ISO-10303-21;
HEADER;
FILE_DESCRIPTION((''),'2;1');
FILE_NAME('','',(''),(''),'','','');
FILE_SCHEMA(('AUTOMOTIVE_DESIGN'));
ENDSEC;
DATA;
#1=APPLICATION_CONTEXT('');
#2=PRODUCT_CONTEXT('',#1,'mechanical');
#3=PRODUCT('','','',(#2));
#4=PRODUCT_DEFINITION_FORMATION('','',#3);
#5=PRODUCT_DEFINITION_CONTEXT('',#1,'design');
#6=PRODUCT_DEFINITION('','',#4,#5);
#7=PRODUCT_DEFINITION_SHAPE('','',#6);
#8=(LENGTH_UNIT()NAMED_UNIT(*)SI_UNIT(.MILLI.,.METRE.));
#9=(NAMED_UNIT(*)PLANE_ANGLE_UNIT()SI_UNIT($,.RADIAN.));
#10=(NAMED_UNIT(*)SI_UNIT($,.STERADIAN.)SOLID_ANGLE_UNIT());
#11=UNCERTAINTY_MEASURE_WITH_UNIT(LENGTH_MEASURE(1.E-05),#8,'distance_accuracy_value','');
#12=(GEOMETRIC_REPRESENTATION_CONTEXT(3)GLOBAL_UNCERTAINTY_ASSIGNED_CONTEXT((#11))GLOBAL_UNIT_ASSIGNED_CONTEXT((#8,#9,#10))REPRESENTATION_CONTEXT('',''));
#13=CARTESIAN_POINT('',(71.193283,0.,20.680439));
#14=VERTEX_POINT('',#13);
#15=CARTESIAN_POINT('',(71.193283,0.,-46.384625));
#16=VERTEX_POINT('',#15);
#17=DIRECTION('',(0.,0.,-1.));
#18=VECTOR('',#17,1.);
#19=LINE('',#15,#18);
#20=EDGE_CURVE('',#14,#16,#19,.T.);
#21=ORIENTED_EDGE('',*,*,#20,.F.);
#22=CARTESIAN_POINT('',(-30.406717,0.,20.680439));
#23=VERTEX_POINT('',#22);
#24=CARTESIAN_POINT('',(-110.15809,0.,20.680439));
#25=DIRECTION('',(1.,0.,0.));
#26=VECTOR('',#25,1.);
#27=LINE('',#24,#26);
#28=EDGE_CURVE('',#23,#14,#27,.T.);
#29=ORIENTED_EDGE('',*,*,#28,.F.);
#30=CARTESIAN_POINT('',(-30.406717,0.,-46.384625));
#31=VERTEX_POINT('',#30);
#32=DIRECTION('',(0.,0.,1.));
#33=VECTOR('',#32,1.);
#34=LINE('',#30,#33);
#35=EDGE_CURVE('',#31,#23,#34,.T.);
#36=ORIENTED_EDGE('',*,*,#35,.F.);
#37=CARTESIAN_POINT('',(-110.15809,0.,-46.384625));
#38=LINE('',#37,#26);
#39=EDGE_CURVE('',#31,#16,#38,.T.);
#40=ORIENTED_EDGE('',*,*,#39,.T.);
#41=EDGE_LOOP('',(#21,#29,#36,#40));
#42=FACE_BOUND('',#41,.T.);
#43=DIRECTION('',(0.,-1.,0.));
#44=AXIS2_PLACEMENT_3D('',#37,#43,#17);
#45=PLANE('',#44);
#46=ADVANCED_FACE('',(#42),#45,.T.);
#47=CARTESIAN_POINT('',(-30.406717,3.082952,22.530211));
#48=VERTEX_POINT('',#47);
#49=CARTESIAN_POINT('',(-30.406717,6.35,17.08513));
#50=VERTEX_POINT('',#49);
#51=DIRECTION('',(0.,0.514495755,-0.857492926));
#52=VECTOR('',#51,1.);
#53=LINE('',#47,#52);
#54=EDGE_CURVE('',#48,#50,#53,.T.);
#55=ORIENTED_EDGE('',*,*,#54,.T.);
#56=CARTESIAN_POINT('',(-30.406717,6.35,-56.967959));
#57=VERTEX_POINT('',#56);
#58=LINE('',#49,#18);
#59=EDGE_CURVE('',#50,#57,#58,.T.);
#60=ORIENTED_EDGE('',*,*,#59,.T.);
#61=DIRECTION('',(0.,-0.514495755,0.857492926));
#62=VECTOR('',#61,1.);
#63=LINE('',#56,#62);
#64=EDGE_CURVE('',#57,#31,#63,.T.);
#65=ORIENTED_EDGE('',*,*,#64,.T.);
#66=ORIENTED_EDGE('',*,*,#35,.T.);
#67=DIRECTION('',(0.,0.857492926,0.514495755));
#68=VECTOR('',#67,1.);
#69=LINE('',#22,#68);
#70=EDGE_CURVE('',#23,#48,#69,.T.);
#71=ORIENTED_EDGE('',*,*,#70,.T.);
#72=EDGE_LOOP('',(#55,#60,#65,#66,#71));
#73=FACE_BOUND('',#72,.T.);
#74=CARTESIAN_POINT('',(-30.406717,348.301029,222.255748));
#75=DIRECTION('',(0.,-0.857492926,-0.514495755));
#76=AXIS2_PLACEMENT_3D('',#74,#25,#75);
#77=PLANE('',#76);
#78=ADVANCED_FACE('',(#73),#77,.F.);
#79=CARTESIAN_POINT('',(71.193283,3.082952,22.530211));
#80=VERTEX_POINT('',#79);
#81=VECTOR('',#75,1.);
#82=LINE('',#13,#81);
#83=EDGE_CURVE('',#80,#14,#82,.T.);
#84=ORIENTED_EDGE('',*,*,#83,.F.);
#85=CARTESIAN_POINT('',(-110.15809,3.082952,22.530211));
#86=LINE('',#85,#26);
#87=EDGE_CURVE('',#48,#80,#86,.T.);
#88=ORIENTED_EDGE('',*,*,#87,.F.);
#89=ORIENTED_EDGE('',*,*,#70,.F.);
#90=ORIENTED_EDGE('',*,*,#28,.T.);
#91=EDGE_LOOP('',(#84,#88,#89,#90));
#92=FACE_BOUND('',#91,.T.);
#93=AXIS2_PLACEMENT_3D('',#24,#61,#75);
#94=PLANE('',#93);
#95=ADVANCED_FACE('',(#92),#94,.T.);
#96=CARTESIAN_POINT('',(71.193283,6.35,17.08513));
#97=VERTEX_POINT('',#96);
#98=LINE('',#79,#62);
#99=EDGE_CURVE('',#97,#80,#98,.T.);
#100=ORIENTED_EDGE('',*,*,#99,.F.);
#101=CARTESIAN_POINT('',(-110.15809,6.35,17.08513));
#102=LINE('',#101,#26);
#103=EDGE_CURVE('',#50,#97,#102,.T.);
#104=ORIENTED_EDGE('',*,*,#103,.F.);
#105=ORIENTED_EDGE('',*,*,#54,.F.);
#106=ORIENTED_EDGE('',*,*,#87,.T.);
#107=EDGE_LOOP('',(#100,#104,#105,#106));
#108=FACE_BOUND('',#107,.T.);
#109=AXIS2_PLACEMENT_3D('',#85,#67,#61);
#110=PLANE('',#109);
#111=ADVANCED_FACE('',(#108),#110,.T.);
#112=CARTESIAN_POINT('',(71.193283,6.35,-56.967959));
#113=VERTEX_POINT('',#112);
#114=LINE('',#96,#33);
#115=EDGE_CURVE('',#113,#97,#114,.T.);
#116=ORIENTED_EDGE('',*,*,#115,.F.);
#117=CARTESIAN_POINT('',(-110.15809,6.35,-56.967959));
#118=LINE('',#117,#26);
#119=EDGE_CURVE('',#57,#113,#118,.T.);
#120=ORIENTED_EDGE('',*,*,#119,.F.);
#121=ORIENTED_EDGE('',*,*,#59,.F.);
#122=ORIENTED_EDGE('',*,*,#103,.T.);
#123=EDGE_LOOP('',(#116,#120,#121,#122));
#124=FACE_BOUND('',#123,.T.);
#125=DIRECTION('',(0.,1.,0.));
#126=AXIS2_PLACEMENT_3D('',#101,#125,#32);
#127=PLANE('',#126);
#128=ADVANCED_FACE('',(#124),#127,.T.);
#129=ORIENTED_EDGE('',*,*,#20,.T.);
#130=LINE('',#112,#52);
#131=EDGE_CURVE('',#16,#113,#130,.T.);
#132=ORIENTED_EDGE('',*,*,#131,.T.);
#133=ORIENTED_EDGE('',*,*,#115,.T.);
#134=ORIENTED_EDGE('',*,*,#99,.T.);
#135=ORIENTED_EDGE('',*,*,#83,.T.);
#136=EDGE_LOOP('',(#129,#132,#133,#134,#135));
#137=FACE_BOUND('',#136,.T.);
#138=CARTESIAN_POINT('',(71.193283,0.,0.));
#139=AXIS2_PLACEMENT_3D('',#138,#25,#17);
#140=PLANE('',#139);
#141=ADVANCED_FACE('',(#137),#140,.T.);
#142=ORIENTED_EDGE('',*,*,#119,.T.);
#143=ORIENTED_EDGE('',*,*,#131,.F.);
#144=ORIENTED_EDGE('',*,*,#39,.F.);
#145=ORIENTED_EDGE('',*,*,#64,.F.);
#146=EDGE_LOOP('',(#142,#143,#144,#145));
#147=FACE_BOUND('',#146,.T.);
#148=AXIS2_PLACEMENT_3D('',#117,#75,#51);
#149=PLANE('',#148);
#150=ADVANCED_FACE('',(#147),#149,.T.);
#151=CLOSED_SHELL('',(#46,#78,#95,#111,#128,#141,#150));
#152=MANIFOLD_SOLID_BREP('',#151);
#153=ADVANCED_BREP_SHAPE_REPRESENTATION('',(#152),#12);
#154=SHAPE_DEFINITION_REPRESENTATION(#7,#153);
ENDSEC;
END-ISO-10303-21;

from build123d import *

# Parameters (mm, degrees)
BOSS_EXTRUDE2_DEPTH = 101.6


with BuildPart() as part:
    # Sketch3 → Boss-Extrude2 (new body)
    with BuildSketch(Plane(origin=(71.193282606, 0, 0), x_dir=(0, 0, -1), z_dir=(1, 0, 0))):
        Polygon((56.967958628, 6.35), (46.384625295, 0), (-20.680439343, 0), (-22.530210515, 3.082951953), (-17.085130436, 6.35), align=None)
    extrude(amount=-BOSS_EXTRUDE2_DEPTH)


solid = part.part
